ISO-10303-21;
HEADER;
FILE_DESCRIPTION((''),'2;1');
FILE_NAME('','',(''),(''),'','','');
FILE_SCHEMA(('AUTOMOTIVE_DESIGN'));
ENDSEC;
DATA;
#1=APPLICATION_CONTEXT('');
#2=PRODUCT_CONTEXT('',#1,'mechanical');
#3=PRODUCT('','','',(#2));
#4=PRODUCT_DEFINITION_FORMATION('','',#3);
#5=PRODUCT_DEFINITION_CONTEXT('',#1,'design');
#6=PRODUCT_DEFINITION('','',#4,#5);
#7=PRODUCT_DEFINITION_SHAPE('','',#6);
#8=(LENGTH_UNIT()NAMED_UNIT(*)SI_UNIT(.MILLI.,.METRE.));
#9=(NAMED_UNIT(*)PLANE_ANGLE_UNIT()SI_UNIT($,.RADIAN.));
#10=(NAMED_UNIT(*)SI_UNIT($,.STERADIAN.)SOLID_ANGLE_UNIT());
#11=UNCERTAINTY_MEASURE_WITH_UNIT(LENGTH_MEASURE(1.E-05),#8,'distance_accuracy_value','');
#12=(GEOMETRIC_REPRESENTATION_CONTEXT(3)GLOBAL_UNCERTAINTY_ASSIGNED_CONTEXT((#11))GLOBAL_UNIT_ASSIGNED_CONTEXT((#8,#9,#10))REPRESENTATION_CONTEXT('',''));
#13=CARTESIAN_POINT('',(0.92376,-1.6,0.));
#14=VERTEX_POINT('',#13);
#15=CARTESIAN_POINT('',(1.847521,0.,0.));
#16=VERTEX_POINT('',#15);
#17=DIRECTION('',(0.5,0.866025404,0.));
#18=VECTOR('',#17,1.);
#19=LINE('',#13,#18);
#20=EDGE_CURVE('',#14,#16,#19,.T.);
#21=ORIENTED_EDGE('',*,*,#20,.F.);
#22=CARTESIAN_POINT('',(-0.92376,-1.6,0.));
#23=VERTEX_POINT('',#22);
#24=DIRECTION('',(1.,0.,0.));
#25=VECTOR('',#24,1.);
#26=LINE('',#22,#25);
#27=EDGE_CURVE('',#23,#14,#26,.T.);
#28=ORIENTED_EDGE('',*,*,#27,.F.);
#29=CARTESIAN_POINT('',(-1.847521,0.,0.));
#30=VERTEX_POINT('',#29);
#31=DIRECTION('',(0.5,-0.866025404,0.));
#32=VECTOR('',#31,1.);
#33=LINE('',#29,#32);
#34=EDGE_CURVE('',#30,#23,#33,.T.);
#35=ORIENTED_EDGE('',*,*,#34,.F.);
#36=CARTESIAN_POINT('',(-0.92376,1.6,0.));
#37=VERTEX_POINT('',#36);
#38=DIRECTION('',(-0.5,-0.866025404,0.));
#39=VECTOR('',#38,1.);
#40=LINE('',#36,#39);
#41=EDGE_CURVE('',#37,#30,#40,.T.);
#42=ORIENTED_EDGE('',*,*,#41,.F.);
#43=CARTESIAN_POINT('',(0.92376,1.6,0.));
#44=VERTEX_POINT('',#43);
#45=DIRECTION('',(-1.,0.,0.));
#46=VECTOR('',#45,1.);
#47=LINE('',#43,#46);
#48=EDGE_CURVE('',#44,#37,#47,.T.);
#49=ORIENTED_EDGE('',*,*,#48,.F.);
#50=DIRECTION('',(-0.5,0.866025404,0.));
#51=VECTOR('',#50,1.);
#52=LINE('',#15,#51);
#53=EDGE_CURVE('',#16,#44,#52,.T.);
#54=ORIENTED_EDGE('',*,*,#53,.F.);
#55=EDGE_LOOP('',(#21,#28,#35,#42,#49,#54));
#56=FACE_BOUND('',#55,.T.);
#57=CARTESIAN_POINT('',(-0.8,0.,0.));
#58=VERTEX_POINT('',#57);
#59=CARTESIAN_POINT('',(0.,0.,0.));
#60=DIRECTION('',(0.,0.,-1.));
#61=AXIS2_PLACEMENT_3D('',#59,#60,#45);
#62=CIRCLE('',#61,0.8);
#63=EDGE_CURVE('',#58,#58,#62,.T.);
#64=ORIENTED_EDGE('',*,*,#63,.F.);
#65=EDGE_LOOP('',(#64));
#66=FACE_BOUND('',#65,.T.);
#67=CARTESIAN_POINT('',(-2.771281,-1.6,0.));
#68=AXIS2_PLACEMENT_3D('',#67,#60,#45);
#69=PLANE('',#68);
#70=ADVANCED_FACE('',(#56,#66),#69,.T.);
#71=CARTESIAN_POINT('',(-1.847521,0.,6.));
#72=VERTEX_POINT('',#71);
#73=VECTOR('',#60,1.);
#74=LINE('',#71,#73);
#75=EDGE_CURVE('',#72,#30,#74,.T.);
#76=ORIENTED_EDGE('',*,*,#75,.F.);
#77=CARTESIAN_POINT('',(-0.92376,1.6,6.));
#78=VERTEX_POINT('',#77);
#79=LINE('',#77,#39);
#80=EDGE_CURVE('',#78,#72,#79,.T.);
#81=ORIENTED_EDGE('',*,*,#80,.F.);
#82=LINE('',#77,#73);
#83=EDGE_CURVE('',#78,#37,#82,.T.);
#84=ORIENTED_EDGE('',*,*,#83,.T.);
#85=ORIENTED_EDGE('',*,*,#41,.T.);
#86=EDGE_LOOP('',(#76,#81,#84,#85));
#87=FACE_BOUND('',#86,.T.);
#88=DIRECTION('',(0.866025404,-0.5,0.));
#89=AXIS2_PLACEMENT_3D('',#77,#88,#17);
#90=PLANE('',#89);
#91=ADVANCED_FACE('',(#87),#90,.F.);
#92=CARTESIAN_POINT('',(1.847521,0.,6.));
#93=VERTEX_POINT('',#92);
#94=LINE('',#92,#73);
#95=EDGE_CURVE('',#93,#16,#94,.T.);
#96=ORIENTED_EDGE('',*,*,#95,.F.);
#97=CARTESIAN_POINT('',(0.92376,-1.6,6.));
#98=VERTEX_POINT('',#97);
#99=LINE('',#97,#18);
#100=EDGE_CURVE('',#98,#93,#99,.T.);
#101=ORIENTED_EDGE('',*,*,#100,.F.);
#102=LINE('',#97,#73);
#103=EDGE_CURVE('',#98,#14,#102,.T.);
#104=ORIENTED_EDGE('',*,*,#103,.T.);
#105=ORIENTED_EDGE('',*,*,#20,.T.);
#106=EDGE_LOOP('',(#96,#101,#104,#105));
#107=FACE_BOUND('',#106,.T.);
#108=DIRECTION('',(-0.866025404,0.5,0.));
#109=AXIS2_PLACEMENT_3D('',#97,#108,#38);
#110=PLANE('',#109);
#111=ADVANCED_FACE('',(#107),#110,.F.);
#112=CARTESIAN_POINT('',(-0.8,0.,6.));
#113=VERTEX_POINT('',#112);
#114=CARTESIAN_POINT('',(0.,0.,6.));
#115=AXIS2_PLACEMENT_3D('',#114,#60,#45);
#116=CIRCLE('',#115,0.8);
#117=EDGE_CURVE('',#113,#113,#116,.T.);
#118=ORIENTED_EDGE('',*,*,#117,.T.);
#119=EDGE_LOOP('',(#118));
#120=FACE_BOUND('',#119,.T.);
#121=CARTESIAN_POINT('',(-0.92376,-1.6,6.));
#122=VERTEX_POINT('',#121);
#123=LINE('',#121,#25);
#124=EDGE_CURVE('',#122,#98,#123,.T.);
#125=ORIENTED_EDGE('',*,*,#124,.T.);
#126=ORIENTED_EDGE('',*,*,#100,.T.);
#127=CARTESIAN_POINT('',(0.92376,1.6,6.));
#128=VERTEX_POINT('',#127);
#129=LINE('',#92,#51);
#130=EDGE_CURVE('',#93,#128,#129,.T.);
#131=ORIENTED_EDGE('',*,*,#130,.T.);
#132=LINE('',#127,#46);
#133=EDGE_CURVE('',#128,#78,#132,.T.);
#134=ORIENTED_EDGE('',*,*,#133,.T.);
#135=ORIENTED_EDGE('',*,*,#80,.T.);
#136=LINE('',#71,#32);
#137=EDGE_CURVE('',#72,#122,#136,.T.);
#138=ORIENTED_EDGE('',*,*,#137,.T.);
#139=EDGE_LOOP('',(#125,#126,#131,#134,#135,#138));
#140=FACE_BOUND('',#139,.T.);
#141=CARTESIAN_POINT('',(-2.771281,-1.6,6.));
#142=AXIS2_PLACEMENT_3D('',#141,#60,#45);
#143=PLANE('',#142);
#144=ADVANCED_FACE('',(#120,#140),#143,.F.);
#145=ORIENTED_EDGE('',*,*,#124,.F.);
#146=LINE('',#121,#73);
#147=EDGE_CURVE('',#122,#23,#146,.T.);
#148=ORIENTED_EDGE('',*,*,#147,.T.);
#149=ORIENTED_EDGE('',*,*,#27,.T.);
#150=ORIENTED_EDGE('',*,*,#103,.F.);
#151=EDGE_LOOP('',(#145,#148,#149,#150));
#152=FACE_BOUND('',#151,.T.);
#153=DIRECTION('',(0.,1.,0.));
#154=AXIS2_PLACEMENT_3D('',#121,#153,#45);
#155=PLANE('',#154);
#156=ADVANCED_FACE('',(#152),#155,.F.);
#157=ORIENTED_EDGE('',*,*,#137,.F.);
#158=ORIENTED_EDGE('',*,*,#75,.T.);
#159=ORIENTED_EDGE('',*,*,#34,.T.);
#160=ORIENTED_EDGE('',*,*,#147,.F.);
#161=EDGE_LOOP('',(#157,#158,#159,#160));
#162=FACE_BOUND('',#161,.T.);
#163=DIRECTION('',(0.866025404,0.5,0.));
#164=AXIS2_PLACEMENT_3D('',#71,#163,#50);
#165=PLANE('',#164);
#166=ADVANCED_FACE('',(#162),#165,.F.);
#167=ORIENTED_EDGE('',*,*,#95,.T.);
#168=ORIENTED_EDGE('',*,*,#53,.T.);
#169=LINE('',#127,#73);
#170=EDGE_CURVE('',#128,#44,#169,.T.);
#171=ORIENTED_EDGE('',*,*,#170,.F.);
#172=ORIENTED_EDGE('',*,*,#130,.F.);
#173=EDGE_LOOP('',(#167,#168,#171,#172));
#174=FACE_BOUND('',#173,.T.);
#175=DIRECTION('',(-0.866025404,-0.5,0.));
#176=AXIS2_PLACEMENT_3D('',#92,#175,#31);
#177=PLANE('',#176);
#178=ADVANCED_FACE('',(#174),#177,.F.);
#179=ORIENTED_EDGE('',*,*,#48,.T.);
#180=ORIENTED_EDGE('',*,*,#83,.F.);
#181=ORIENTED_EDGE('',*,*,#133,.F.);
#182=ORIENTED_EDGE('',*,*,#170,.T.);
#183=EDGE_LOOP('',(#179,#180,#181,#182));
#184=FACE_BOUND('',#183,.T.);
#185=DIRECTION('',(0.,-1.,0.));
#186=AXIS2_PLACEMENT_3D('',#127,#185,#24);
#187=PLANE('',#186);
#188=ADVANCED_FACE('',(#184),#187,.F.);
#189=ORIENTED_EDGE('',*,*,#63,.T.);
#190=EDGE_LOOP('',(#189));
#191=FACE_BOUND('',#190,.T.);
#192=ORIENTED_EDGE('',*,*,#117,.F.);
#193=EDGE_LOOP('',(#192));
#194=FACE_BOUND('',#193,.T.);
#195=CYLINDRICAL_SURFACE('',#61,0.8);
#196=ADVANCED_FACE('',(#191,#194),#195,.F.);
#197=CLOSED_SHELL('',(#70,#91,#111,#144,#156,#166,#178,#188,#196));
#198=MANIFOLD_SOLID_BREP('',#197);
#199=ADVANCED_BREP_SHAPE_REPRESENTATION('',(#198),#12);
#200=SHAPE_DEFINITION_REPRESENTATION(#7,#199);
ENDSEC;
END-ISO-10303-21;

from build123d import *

# Parameters (mm, degrees)
EXTRUDE_1_DEPTH        = 6
HOLE_WIZARD_M2_1_D     = 1.6
HOLE_WIZARD_M2_1_DEPTH = 6
HOLE_WIZARD_M2_1_TIP   = 0.480688495


with BuildPart() as part:
    # 草图1 → 拉伸1 (new body)
    with BuildSketch(Plane.XY):
        Polygon((0.923760431, -1.6), (1.847520861, 0), (0.923760431, 1.6), (-0.923760431, 1.6), (-1.847520861, 0), (-0.923760431, -1.6), align=None)
    extrude(amount=EXTRUDE_1_DEPTH)

    # M2 螺纹孔1
    with Locations(Plane(origin=(0, 0, 0), x_dir=(-1, 0, 0), z_dir=(0, 0, -1))):
        with Locations((0, 0)):
            Hole(HOLE_WIZARD_M2_1_D / 2, depth=HOLE_WIZARD_M2_1_DEPTH)
            with Locations((0, 0, -(HOLE_WIZARD_M2_1_DEPTH + HOLE_WIZARD_M2_1_TIP / 2))):  # 118° drill point
                Cone(0, HOLE_WIZARD_M2_1_D / 2, HOLE_WIZARD_M2_1_TIP, mode=Mode.SUBTRACT)


solid = part.part
